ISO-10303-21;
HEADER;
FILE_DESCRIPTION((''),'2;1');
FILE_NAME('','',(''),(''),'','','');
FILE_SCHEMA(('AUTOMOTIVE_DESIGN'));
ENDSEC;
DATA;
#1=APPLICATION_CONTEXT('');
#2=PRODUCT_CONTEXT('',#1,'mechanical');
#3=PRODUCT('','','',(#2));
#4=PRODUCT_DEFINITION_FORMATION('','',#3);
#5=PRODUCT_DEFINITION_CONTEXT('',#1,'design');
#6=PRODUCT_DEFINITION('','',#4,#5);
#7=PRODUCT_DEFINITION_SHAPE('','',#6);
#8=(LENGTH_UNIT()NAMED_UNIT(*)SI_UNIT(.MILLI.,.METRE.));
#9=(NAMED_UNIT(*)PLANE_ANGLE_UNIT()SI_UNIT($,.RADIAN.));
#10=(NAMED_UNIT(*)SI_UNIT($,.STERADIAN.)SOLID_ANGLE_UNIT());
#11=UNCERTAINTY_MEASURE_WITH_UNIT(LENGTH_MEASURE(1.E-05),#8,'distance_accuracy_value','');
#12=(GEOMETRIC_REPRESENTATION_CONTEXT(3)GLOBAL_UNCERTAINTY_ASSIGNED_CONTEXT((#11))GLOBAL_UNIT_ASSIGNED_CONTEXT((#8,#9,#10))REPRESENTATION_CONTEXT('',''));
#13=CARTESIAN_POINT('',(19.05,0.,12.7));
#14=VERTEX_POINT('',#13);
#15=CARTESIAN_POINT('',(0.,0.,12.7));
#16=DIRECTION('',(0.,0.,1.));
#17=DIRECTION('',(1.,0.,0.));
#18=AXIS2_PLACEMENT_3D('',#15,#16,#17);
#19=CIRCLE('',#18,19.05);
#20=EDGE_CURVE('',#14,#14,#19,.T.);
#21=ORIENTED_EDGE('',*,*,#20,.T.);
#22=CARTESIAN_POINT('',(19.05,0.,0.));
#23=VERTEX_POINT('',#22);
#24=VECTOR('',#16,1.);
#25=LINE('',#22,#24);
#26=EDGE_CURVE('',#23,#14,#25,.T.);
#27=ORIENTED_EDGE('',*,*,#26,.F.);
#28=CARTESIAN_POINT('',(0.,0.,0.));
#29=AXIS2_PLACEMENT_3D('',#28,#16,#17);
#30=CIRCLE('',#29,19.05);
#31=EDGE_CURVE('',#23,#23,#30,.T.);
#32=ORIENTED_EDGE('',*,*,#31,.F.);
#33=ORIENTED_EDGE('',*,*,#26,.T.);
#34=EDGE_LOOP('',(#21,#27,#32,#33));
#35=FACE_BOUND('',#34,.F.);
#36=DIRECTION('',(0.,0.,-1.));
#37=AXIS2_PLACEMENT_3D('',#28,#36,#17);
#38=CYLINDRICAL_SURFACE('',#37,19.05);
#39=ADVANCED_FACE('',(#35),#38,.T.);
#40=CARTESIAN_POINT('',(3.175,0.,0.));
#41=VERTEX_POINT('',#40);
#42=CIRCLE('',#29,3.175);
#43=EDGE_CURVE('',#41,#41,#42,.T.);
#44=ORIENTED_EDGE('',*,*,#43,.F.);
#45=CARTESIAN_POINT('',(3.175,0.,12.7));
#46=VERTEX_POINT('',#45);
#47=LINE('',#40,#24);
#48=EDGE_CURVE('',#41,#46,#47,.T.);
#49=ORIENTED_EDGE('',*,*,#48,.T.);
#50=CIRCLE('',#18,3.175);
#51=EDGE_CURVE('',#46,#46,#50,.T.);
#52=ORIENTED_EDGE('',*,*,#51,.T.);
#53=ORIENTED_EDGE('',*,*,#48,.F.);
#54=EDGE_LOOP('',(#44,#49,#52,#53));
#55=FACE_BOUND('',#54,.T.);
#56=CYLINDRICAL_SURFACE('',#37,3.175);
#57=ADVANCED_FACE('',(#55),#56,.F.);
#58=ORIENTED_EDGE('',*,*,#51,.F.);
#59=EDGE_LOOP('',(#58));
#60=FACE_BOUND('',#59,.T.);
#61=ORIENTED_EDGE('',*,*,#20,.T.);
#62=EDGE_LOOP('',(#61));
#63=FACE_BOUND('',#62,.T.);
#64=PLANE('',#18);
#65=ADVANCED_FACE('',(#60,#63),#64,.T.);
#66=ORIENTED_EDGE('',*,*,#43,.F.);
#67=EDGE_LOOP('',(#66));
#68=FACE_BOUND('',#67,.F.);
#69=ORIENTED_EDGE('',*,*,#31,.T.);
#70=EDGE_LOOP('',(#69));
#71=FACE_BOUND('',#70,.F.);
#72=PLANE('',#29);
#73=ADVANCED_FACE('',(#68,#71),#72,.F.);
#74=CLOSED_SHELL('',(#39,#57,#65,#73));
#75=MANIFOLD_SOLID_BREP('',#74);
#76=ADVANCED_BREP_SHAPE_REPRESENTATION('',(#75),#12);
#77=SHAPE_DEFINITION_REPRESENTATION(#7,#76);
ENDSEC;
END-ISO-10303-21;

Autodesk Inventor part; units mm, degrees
ref_plane "YZ Plane" through (0, 0, 0) normal (1, 0, 0) x (0, 1, 0)
ref_plane "XZ Plane" through (0, 0, 0) normal (0, 1, 0) x (-1, 0, 0)
ref_plane "XY Plane" through (0, 0, 0) normal (0, 0, 1) x (1, 0, 0)
sketch "Sketch1" plane through (0, 0, 0) normal (0, 0, 1) x (1, 0, 0)
  circle A0 centre (0, 0) radius 19.05
  circle A1 centre (0, 0) radius 3.175
  dimension "d0" = 38.1
  dimension "d3" = 6.35
extrude "Extrusion1" add sketch "Sketch1" along normal blind 12.7
properties part number "Temp - W1" material "Polyethylene, Low Density"
